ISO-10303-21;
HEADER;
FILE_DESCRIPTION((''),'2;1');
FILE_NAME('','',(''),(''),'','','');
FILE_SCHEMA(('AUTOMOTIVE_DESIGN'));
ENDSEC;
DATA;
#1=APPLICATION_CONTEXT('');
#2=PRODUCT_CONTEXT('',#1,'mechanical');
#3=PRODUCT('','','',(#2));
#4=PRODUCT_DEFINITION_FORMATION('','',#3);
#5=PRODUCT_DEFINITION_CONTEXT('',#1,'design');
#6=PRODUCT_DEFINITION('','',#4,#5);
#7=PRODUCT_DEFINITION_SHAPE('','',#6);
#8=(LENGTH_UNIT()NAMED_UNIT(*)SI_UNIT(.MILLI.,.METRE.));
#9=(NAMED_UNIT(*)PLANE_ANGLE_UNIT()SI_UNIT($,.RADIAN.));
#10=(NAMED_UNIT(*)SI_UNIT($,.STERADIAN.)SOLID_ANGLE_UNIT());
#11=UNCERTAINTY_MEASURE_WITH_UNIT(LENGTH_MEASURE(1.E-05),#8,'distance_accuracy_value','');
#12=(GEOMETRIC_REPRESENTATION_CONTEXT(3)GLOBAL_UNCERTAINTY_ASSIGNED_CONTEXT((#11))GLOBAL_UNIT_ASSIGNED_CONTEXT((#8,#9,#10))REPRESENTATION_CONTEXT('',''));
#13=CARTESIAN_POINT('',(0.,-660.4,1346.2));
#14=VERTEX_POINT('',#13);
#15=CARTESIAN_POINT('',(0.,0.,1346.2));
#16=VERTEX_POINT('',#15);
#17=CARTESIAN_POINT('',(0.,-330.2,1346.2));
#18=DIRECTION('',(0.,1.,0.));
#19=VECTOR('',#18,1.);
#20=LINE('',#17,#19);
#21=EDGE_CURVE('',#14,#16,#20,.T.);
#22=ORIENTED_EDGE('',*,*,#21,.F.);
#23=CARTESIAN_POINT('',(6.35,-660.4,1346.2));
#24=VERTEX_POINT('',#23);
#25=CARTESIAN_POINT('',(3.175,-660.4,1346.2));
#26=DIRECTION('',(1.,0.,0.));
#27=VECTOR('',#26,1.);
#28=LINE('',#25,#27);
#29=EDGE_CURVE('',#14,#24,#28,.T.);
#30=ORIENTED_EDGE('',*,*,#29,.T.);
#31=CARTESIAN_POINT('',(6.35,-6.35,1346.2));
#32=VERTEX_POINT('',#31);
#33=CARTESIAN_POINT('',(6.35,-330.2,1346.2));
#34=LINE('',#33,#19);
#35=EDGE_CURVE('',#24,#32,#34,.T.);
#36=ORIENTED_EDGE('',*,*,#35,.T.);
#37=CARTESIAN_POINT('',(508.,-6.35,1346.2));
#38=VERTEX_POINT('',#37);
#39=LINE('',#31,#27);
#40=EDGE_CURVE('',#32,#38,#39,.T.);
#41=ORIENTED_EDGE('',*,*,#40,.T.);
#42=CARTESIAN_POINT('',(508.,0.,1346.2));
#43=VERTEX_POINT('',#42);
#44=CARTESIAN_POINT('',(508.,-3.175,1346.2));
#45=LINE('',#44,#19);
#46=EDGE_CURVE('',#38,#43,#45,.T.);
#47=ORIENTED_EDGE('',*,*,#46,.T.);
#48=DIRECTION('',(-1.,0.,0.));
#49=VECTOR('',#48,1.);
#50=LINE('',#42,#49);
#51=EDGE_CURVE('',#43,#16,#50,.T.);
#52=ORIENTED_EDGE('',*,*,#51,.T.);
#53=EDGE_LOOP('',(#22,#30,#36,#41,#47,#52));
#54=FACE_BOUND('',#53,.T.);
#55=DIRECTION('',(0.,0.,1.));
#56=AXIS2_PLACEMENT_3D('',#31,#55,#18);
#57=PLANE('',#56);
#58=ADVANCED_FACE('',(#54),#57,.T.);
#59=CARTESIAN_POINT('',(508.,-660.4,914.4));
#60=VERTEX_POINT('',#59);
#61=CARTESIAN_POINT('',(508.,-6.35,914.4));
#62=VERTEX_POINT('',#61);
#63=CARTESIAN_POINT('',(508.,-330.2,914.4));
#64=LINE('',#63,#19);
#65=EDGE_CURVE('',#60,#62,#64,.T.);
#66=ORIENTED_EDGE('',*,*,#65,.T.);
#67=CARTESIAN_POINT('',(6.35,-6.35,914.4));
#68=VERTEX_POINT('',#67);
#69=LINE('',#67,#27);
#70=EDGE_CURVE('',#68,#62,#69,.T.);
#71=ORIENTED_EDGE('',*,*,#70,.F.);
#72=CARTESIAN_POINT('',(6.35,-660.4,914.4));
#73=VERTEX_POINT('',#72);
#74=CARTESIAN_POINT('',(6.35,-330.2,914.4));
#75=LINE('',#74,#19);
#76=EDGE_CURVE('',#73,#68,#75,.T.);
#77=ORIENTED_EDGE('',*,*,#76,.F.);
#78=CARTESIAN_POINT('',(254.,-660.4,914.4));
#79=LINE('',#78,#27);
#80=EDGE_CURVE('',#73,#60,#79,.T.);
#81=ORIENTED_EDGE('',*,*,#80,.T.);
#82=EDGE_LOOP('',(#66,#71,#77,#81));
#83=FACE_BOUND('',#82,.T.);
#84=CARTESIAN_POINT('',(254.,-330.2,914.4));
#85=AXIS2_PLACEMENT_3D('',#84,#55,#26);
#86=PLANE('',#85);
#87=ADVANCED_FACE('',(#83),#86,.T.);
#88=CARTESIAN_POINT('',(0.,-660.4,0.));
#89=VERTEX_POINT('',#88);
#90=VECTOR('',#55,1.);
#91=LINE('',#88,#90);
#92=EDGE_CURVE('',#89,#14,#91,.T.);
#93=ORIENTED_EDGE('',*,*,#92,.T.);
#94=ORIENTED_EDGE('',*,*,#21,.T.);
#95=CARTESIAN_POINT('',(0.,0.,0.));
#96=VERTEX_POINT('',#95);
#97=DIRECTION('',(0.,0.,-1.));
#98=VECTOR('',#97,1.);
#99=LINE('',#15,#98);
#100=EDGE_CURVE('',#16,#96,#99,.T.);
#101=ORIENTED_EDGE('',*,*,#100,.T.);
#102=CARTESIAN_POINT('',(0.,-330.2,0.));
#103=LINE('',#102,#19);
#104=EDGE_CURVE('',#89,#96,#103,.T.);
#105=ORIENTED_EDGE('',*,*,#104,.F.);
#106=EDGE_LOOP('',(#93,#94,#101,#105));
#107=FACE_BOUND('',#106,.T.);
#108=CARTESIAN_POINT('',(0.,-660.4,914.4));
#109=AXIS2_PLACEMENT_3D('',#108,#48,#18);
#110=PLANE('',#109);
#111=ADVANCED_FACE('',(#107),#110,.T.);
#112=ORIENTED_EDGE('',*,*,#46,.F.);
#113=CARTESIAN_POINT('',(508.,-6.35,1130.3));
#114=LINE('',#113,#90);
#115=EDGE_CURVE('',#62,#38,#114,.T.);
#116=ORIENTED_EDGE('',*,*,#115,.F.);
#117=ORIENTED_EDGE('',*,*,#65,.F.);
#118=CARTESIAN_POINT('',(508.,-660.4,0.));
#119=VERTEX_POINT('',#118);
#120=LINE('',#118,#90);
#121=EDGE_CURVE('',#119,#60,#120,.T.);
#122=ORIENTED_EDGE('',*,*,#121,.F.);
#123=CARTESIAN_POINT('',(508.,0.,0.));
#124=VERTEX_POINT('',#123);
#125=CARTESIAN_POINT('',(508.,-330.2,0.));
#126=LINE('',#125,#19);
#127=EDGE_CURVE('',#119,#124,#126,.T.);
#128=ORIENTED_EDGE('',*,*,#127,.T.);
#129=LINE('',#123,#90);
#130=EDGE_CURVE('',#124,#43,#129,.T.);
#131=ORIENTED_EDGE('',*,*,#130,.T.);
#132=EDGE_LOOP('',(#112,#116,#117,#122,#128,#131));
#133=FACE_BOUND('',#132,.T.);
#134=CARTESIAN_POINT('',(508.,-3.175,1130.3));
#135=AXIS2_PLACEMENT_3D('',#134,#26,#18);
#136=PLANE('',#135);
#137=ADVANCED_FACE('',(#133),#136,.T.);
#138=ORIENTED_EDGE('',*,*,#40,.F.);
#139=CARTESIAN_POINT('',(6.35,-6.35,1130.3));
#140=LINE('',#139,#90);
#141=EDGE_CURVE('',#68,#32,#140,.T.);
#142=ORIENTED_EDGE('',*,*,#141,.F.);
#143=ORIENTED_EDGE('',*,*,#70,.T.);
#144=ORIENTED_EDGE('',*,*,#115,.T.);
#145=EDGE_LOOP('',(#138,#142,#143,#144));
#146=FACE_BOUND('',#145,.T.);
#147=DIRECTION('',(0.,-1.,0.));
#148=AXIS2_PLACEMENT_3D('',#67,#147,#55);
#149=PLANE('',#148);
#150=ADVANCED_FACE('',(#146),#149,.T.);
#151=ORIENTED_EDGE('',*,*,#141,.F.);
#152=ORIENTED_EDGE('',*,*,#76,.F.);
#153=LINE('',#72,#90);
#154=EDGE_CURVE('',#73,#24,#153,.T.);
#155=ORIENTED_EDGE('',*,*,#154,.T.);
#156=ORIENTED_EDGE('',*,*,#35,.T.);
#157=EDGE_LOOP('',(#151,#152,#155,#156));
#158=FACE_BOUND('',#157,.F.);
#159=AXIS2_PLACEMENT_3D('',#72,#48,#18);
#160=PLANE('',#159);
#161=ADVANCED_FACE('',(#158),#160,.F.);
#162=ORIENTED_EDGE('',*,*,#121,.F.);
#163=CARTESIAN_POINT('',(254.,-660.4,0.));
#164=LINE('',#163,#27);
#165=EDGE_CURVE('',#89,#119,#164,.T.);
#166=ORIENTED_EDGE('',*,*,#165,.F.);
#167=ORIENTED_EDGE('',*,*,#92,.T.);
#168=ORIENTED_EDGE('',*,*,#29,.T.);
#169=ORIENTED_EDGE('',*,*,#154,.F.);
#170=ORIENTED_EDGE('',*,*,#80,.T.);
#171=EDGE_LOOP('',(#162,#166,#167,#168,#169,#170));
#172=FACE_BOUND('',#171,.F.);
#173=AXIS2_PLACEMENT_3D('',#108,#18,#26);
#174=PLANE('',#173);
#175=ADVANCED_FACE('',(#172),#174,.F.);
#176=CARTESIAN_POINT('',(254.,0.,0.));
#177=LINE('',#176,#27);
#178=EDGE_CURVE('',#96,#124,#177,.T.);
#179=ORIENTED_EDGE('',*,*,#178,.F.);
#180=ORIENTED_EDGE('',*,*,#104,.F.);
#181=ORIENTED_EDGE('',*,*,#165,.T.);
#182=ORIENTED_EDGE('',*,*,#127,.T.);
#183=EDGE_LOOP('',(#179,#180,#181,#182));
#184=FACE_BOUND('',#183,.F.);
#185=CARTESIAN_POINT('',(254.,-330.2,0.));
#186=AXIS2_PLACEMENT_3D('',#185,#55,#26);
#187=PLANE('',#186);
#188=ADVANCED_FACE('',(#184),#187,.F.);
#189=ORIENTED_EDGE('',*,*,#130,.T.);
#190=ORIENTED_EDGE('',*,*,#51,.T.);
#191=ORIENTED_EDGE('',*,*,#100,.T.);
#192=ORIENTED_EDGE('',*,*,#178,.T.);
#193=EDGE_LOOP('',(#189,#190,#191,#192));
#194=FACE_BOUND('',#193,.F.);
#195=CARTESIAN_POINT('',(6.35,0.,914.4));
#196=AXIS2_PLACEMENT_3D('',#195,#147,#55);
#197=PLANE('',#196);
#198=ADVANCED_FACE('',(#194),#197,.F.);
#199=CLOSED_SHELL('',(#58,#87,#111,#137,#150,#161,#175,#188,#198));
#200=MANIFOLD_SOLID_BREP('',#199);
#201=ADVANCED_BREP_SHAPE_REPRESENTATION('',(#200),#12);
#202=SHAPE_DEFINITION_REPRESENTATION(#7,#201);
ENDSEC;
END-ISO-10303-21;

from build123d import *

# Parameters (mm, degrees)
F0_W     = 508
F0_H     = 660.4
F1_DEPTH = 914.4
F2_W     = 6.35
F2_H     = 660.4
F3_DEPTH = 431.8
F4_W     = 6.35
F4_H     = 431.8
F5_DEPTH = 501.65


with BuildPart() as f1:
    # F0 (on Top) → F1 (new body)
    with BuildSketch(Plane.XY):
        with Locations((254, -330.2)):
            Rectangle(F0_W, F0_H)
    extrude(amount=F1_DEPTH)

    # F2 (on face) → F3 (join)
    with BuildSketch(Plane.XY.offset(914.4)):
        with Locations((3.175, -330.2)):
            Rectangle(F2_W, F2_H)
    extrude(amount=F3_DEPTH)

    # F4 (on face) → F5 (join)
    with BuildSketch(Plane.YZ.offset(6.35)):
        with Locations((-3.175, 1130.3)):
            Rectangle(F4_W, F4_H)
    extrude(amount=F5_DEPTH)


solid = f1.part
